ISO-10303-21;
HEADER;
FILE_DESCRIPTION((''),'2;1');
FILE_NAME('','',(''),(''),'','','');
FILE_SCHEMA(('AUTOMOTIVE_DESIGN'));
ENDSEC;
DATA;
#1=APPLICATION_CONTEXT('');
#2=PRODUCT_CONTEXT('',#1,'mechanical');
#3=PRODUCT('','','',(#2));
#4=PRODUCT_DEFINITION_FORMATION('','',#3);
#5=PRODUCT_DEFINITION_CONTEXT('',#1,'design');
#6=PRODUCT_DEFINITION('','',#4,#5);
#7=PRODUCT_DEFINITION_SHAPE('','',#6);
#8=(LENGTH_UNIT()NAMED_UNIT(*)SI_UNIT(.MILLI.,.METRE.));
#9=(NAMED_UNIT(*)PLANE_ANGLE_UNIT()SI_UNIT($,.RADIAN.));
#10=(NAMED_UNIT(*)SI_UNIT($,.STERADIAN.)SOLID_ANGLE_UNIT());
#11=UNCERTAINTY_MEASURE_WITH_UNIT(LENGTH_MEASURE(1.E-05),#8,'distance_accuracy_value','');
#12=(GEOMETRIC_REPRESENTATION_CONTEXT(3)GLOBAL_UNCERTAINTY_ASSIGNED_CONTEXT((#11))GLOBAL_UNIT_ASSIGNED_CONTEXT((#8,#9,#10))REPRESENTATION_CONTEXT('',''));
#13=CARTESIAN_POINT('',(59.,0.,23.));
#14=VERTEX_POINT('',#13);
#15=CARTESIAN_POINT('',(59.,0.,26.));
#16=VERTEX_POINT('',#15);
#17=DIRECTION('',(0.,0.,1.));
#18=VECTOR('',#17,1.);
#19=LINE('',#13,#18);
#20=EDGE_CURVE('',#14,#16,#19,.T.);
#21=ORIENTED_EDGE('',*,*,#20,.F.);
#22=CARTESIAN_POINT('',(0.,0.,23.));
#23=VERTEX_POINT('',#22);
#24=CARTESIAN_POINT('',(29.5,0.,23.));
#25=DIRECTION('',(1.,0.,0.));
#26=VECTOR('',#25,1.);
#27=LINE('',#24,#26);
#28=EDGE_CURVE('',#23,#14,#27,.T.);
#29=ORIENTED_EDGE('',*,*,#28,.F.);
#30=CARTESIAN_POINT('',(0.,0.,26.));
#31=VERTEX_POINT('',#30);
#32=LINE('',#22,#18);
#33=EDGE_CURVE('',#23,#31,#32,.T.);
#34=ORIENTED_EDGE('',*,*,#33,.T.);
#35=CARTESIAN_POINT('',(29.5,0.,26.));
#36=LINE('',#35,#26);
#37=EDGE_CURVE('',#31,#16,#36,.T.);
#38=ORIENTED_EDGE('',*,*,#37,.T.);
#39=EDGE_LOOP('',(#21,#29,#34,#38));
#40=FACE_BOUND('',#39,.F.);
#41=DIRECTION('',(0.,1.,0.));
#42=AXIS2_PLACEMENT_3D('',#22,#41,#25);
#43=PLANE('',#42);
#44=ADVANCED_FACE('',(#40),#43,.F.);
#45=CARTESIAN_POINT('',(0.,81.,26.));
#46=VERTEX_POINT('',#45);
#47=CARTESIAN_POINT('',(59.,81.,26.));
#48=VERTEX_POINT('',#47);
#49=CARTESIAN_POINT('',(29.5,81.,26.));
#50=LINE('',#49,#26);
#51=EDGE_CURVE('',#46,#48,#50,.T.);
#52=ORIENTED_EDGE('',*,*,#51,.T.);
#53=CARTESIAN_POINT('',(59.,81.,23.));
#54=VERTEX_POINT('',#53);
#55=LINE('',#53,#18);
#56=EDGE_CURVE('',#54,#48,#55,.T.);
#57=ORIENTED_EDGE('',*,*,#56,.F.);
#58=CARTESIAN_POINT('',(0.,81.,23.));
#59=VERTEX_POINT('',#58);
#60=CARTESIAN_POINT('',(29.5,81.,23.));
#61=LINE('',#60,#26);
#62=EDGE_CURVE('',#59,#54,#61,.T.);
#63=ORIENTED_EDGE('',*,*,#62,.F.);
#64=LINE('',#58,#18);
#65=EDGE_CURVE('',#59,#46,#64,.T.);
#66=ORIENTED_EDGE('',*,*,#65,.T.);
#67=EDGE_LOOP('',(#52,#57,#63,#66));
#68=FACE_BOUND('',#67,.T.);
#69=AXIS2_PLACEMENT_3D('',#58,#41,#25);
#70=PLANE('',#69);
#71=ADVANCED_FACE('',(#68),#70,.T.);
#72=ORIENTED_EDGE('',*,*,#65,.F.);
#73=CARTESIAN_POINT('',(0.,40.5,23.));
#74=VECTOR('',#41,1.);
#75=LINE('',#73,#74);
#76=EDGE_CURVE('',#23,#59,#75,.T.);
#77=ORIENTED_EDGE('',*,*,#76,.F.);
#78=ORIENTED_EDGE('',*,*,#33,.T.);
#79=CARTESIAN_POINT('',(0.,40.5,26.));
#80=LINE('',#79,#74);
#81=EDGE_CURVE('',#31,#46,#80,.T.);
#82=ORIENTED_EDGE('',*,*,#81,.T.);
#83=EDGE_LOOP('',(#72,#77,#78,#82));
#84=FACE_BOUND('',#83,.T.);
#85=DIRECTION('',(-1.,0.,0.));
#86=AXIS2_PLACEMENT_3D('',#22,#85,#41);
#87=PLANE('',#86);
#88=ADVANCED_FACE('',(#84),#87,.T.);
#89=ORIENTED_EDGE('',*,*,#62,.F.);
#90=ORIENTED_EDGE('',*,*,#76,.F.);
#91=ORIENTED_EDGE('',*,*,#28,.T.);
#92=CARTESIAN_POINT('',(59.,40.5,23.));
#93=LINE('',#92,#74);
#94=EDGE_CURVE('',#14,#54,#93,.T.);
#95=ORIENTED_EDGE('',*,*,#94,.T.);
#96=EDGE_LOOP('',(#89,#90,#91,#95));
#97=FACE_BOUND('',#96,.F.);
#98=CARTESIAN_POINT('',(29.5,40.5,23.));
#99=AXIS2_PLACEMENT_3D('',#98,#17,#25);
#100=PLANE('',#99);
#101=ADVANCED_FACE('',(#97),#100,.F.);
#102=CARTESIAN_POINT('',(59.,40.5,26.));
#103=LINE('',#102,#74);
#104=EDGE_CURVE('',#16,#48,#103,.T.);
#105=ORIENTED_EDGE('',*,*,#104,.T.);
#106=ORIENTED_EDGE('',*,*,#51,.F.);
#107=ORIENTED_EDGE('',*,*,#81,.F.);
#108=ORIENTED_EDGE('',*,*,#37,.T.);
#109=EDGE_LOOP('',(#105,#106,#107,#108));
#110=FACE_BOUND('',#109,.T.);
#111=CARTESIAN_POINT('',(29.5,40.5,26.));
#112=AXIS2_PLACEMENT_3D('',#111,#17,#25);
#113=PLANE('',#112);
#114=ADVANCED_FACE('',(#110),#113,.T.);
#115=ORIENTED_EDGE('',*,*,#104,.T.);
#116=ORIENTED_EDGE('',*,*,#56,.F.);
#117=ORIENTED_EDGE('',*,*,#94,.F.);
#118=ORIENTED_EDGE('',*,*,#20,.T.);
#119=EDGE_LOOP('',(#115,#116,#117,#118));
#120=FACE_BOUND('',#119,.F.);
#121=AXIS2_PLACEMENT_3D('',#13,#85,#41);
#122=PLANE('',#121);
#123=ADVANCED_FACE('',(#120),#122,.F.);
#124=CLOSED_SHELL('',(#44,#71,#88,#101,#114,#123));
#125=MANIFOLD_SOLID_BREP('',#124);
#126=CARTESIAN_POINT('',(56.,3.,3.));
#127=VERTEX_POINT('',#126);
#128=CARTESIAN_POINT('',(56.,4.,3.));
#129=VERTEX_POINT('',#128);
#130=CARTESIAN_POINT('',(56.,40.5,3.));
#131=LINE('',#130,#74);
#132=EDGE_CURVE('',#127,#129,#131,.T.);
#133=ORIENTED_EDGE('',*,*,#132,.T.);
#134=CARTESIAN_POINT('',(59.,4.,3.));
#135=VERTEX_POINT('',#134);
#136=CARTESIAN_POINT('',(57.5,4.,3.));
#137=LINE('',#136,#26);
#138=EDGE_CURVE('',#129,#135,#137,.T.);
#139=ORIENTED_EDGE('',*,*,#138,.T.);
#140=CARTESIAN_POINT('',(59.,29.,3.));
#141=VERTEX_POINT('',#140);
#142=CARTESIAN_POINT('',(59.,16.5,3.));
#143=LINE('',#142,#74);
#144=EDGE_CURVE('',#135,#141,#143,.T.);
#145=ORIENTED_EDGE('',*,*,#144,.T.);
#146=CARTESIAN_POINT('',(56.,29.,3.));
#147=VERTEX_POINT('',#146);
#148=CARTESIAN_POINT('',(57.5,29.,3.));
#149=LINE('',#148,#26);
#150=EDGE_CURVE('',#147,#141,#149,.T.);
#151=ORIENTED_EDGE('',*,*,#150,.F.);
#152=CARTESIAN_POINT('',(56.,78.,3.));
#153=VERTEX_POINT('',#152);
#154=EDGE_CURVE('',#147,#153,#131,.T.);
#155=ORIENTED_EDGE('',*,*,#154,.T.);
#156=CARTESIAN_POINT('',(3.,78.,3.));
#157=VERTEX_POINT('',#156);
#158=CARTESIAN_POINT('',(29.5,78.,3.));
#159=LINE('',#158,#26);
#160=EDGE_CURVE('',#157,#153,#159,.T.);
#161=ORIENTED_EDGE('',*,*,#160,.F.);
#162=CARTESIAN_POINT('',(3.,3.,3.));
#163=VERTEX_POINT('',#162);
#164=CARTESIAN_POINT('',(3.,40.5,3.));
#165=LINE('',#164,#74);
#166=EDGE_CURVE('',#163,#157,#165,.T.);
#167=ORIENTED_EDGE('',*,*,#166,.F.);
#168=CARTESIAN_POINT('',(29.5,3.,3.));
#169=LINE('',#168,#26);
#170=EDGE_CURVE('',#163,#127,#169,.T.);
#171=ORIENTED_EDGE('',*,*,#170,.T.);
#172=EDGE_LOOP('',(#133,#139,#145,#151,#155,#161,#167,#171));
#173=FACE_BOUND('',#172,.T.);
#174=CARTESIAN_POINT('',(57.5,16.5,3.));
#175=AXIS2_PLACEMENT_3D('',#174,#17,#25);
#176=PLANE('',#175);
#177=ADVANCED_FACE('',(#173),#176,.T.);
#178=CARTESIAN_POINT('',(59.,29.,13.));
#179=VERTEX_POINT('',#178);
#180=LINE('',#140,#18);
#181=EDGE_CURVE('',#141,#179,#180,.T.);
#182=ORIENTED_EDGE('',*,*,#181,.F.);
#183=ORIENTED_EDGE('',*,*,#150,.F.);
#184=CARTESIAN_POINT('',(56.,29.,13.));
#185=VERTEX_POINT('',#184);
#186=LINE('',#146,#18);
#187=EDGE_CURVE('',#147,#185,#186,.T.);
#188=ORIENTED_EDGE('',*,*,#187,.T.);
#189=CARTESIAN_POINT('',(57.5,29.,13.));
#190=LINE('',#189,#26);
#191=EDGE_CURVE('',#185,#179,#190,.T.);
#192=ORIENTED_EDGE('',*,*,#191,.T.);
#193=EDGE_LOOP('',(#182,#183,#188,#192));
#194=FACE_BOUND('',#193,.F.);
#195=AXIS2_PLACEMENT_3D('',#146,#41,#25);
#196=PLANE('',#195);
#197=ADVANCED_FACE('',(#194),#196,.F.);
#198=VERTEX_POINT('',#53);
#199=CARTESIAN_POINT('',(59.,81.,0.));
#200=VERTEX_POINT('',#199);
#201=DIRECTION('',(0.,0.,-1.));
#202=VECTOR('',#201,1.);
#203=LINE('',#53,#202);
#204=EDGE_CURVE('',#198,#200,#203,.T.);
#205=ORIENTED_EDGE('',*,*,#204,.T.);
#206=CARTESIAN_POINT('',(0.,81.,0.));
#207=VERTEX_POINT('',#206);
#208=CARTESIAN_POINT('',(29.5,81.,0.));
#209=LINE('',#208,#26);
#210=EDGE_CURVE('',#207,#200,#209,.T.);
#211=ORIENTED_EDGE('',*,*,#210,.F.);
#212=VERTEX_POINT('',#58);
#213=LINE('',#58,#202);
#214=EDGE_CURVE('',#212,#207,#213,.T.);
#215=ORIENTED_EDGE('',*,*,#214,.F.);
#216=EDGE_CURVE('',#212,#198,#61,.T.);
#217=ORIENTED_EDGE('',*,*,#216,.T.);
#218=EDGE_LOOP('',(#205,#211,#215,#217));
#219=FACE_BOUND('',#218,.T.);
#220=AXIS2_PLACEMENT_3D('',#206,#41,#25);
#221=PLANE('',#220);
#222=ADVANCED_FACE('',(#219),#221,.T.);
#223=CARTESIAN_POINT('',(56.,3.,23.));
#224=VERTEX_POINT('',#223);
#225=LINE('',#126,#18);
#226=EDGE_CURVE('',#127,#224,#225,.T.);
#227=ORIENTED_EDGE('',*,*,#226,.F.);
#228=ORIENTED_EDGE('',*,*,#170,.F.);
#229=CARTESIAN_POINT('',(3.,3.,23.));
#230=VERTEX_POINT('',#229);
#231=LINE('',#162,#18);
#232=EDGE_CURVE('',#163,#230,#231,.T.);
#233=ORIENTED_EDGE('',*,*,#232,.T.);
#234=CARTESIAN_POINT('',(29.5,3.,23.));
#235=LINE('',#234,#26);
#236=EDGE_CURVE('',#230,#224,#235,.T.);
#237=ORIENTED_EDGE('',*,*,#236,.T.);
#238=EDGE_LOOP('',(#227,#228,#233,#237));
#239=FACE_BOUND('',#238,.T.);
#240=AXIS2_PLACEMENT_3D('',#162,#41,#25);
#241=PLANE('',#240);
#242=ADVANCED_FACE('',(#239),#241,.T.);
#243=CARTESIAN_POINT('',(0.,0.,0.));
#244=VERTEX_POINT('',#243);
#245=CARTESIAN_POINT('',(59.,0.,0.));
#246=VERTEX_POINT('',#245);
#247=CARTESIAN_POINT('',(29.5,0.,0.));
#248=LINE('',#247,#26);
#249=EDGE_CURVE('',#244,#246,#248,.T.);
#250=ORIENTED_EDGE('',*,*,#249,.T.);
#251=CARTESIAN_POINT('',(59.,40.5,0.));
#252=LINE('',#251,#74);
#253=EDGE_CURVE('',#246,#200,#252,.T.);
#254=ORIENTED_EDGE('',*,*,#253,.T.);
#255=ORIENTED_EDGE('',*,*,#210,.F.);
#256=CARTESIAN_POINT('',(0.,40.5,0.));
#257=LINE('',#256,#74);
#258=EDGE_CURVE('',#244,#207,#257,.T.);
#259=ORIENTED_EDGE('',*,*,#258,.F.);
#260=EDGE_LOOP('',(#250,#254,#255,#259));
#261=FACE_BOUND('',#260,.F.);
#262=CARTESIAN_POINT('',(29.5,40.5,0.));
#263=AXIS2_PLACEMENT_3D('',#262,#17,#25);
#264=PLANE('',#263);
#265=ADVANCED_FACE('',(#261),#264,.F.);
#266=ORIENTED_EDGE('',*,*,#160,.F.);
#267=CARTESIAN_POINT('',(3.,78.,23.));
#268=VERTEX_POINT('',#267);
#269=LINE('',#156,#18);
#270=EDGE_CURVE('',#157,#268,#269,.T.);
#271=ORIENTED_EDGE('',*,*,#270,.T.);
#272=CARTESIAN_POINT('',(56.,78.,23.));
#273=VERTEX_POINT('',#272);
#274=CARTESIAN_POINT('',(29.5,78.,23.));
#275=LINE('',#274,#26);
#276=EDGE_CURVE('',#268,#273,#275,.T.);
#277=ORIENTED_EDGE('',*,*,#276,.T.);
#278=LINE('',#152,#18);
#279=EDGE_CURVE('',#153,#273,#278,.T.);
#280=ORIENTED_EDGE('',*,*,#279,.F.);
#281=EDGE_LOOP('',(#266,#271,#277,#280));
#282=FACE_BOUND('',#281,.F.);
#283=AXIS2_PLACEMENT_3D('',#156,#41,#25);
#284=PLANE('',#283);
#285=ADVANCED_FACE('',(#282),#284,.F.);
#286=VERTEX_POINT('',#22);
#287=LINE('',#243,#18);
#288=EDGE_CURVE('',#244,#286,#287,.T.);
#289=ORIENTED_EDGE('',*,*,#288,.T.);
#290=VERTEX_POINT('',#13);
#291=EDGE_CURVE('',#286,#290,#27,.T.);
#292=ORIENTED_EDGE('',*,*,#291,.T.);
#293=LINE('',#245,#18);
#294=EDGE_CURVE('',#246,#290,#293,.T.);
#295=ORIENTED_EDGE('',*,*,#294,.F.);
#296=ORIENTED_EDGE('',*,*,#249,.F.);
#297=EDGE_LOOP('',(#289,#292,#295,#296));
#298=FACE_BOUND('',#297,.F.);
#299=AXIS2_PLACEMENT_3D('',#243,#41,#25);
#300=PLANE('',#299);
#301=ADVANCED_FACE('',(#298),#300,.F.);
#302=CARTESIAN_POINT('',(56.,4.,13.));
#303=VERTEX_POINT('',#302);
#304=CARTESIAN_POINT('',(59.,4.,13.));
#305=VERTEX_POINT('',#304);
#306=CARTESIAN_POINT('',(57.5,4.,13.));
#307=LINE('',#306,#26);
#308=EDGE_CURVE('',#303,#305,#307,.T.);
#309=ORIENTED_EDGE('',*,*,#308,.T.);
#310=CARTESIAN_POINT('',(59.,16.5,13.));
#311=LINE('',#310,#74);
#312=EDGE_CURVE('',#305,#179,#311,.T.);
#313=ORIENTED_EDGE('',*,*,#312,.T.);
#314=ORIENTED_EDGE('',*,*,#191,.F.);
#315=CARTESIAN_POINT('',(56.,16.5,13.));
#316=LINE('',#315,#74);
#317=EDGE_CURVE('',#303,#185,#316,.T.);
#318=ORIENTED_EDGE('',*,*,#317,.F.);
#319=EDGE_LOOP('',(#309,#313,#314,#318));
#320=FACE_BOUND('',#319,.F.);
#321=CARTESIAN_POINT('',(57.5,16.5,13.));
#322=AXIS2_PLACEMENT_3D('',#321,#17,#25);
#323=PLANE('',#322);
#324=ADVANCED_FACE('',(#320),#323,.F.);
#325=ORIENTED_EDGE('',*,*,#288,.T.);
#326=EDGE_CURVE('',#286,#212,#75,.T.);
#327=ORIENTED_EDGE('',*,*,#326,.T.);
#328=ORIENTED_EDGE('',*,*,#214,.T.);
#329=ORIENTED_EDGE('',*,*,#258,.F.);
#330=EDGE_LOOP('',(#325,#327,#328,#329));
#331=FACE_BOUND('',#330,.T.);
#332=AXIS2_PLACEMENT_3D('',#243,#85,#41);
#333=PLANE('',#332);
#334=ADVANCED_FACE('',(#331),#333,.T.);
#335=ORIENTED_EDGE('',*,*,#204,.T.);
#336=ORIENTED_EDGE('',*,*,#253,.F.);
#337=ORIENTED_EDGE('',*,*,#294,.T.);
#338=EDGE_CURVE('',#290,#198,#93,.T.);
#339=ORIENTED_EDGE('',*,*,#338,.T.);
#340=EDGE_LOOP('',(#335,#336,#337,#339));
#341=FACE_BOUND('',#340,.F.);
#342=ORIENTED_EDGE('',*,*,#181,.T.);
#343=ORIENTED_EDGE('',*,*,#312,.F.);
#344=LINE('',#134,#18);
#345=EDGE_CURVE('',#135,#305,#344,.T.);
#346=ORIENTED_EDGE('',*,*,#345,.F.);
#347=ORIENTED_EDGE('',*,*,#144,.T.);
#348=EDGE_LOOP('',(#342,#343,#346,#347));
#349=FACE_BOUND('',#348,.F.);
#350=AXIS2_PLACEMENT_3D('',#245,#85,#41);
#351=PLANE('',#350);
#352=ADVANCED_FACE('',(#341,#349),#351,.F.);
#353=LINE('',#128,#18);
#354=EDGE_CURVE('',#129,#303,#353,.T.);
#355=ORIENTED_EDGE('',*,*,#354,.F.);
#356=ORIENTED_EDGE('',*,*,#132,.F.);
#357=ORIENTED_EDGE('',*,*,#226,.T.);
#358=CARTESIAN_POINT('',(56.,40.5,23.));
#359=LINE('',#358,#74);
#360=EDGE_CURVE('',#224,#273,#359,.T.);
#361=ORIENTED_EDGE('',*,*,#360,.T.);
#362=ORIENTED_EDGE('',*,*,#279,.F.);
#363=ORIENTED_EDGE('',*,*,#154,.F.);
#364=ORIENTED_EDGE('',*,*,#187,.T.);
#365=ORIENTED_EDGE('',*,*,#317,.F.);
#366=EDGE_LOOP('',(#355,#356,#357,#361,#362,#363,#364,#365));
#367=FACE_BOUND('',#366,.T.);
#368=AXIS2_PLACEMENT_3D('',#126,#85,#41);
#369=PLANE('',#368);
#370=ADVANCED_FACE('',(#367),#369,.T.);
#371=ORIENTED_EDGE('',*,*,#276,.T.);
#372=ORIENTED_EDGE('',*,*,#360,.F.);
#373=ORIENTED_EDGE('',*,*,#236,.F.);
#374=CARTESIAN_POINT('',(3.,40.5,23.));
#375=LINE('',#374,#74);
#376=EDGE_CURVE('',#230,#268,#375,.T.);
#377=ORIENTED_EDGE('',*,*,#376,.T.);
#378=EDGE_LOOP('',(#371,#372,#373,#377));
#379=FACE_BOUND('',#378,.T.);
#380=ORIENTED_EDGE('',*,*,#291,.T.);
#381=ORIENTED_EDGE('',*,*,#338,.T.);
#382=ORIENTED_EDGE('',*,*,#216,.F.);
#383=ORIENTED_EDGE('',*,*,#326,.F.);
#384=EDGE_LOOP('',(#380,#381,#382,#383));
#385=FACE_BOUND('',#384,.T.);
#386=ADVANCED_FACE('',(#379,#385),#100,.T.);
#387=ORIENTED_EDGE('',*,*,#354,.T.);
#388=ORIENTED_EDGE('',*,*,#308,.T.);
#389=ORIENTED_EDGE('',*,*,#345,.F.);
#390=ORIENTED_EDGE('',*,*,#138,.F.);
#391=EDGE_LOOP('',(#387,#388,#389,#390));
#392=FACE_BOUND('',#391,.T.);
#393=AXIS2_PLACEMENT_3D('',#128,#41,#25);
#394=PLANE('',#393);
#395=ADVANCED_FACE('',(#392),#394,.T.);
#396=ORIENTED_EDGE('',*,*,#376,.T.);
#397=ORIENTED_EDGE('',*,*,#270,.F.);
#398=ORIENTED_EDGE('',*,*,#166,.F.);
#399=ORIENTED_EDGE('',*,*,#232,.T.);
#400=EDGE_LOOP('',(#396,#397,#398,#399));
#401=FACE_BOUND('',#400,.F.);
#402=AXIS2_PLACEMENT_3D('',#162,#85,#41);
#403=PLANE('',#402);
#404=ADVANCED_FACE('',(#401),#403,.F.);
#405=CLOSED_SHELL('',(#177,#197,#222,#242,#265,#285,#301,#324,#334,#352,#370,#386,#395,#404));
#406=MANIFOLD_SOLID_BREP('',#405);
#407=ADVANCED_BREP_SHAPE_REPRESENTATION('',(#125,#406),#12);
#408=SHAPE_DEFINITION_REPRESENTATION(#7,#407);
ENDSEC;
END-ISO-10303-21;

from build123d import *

# Parameters (mm, degrees)
BOX003_W     = 3
BOX003_H     = 25
BOX003_DEPTH = 10
BOX002_W     = 59
BOX002_H     = 81
BOX002_DEPTH = 3
BOX001_W     = 53
BOX001_H     = 75
BOX001_DEPTH = 20
BOX_W        = 59
BOX_H        = 81
BOX_DEPTH    = 20
BOX004_W     = 59
BOX004_H     = 81
BOX004_DEPTH = 3


with BuildPart() as box003:
    # Box003 → Box003 (new body)
    with BuildSketch(Plane(origin=(56, 4, 3), x_dir=(1, 0, 0), z_dir=(0, 0, 1))):
        with Locations((1.5, 12.5)):
            Rectangle(BOX003_W, BOX003_H)
    extrude(amount=BOX003_DEPTH)


with BuildPart() as box002:
    # Box002 → Box002 (new body)
    with BuildSketch(Plane.XY):
        with Locations((29.5, 40.5)):
            Rectangle(BOX002_W, BOX002_H)
    extrude(amount=BOX002_DEPTH)


with BuildPart() as box001:
    # Box001 → Box001 (new body)
    with BuildSketch(Plane(origin=(3, 3, 0), x_dir=(1, 0, 0), z_dir=(0, 0, 1))):
        with Locations((26.5, 37.5)):
            Rectangle(BOX001_W, BOX001_H)
    extrude(amount=BOX001_DEPTH)


with BuildPart() as caja:
    # Box → Box (new body)
    with BuildSketch(Plane.XY):
        with Locations((29.5, 40.5)):
            Rectangle(BOX_W, BOX_H)
    extrude(amount=BOX_DEPTH)

    # Cut: cut Box001
    add(box001.part, mode=Mode.SUBTRACT)


with BuildPart() as caja_1:
    # Cut placement: moved
    add(caja.part.moved(Location((0, 0, 3))))

    # Fusion: union Box002
    add(box002.part)

    # Cut001: cut Box003
    add(box003.part, mode=Mode.SUBTRACT)


with BuildPart() as tapa:
    # Box004 → Box004 (new body)
    with BuildSketch(Plane.XY.offset(23)):
        with Locations((29.5, 40.5)):
            Rectangle(BOX004_W, BOX004_H)
    extrude(amount=BOX004_DEPTH)


solid = Compound([caja_1.part, tapa.part])
